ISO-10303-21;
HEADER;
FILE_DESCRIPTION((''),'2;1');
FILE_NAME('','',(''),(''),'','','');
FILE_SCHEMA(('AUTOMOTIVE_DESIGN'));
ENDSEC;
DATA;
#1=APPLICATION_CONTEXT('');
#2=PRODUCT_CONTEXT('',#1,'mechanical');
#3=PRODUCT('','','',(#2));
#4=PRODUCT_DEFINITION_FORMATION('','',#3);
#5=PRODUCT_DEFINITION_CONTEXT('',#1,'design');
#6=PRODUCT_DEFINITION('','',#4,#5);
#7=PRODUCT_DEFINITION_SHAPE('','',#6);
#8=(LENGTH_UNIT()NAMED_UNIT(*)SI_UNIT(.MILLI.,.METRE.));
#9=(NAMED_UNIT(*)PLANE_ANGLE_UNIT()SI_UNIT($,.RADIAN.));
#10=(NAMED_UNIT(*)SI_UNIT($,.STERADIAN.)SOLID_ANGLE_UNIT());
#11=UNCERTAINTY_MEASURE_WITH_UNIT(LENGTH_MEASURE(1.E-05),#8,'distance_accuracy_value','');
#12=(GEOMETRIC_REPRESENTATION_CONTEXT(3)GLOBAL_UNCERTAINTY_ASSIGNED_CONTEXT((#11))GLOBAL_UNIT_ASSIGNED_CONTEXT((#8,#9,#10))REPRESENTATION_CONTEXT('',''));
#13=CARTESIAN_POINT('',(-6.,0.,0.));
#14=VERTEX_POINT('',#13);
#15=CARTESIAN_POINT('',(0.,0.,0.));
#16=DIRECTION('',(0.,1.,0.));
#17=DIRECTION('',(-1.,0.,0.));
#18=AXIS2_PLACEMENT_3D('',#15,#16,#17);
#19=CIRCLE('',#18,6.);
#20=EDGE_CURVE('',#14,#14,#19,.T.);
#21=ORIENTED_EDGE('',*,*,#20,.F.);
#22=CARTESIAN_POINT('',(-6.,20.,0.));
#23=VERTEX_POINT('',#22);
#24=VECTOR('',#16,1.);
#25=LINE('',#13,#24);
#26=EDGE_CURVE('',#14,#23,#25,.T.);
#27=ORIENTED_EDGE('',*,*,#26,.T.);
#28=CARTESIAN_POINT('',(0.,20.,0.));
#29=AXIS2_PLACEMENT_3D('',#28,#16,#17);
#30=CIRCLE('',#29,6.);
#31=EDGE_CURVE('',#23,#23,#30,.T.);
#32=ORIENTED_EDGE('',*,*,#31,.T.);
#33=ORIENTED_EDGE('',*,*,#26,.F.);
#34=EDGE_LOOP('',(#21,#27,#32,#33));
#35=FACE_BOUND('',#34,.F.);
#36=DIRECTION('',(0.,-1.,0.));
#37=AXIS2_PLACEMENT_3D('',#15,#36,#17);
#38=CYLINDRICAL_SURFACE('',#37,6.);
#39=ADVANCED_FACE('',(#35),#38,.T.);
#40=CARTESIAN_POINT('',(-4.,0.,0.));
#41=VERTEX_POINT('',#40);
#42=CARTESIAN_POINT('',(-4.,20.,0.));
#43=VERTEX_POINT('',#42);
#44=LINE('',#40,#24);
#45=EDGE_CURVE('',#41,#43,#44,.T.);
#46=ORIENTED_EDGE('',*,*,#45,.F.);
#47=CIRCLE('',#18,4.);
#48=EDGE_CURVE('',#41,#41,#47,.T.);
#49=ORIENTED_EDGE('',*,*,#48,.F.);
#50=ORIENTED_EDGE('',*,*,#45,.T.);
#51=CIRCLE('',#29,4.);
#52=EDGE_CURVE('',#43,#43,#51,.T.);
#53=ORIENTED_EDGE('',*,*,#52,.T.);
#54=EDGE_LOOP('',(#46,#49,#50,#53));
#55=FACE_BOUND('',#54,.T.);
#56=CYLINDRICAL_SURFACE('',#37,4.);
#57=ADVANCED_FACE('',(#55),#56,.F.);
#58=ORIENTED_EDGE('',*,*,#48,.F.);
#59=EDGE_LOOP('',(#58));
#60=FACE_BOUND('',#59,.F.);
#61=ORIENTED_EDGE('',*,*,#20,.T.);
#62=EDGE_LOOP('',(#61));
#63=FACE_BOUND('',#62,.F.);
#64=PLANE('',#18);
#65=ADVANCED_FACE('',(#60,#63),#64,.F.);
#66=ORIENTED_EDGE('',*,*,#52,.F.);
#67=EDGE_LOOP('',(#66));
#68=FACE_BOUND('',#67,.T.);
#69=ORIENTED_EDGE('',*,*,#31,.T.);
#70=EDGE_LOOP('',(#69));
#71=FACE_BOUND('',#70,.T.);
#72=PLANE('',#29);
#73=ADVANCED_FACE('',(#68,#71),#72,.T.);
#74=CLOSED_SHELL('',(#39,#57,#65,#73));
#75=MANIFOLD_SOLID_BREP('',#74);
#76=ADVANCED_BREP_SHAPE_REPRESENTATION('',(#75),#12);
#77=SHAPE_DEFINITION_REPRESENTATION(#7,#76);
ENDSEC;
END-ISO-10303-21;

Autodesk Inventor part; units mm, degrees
ref_plane "YZ Plane" through (0, 0, 0) normal (1, 0, 0) x (0, 1, 0)
ref_plane "XZ Plane" through (0, 0, 0) normal (0, 1, 0) x (-1, 0, 0)
ref_plane "XY Plane" through (0, 0, 0) normal (0, 0, 1) x (1, 0, 0)
sketch "Sketch1" plane through (0, 0, 0) normal (0, 1, 0) x (-1, 0, 0)
  circle A0 centre (0, 0) radius 6
  circle A1 centre (0, 0) radius 4
  dimension "d0" = 12
  dimension "d1" = 8
extrude "Extrusion1" add sketch "Sketch1" along normal blind 20
properties part number "Spacer"
